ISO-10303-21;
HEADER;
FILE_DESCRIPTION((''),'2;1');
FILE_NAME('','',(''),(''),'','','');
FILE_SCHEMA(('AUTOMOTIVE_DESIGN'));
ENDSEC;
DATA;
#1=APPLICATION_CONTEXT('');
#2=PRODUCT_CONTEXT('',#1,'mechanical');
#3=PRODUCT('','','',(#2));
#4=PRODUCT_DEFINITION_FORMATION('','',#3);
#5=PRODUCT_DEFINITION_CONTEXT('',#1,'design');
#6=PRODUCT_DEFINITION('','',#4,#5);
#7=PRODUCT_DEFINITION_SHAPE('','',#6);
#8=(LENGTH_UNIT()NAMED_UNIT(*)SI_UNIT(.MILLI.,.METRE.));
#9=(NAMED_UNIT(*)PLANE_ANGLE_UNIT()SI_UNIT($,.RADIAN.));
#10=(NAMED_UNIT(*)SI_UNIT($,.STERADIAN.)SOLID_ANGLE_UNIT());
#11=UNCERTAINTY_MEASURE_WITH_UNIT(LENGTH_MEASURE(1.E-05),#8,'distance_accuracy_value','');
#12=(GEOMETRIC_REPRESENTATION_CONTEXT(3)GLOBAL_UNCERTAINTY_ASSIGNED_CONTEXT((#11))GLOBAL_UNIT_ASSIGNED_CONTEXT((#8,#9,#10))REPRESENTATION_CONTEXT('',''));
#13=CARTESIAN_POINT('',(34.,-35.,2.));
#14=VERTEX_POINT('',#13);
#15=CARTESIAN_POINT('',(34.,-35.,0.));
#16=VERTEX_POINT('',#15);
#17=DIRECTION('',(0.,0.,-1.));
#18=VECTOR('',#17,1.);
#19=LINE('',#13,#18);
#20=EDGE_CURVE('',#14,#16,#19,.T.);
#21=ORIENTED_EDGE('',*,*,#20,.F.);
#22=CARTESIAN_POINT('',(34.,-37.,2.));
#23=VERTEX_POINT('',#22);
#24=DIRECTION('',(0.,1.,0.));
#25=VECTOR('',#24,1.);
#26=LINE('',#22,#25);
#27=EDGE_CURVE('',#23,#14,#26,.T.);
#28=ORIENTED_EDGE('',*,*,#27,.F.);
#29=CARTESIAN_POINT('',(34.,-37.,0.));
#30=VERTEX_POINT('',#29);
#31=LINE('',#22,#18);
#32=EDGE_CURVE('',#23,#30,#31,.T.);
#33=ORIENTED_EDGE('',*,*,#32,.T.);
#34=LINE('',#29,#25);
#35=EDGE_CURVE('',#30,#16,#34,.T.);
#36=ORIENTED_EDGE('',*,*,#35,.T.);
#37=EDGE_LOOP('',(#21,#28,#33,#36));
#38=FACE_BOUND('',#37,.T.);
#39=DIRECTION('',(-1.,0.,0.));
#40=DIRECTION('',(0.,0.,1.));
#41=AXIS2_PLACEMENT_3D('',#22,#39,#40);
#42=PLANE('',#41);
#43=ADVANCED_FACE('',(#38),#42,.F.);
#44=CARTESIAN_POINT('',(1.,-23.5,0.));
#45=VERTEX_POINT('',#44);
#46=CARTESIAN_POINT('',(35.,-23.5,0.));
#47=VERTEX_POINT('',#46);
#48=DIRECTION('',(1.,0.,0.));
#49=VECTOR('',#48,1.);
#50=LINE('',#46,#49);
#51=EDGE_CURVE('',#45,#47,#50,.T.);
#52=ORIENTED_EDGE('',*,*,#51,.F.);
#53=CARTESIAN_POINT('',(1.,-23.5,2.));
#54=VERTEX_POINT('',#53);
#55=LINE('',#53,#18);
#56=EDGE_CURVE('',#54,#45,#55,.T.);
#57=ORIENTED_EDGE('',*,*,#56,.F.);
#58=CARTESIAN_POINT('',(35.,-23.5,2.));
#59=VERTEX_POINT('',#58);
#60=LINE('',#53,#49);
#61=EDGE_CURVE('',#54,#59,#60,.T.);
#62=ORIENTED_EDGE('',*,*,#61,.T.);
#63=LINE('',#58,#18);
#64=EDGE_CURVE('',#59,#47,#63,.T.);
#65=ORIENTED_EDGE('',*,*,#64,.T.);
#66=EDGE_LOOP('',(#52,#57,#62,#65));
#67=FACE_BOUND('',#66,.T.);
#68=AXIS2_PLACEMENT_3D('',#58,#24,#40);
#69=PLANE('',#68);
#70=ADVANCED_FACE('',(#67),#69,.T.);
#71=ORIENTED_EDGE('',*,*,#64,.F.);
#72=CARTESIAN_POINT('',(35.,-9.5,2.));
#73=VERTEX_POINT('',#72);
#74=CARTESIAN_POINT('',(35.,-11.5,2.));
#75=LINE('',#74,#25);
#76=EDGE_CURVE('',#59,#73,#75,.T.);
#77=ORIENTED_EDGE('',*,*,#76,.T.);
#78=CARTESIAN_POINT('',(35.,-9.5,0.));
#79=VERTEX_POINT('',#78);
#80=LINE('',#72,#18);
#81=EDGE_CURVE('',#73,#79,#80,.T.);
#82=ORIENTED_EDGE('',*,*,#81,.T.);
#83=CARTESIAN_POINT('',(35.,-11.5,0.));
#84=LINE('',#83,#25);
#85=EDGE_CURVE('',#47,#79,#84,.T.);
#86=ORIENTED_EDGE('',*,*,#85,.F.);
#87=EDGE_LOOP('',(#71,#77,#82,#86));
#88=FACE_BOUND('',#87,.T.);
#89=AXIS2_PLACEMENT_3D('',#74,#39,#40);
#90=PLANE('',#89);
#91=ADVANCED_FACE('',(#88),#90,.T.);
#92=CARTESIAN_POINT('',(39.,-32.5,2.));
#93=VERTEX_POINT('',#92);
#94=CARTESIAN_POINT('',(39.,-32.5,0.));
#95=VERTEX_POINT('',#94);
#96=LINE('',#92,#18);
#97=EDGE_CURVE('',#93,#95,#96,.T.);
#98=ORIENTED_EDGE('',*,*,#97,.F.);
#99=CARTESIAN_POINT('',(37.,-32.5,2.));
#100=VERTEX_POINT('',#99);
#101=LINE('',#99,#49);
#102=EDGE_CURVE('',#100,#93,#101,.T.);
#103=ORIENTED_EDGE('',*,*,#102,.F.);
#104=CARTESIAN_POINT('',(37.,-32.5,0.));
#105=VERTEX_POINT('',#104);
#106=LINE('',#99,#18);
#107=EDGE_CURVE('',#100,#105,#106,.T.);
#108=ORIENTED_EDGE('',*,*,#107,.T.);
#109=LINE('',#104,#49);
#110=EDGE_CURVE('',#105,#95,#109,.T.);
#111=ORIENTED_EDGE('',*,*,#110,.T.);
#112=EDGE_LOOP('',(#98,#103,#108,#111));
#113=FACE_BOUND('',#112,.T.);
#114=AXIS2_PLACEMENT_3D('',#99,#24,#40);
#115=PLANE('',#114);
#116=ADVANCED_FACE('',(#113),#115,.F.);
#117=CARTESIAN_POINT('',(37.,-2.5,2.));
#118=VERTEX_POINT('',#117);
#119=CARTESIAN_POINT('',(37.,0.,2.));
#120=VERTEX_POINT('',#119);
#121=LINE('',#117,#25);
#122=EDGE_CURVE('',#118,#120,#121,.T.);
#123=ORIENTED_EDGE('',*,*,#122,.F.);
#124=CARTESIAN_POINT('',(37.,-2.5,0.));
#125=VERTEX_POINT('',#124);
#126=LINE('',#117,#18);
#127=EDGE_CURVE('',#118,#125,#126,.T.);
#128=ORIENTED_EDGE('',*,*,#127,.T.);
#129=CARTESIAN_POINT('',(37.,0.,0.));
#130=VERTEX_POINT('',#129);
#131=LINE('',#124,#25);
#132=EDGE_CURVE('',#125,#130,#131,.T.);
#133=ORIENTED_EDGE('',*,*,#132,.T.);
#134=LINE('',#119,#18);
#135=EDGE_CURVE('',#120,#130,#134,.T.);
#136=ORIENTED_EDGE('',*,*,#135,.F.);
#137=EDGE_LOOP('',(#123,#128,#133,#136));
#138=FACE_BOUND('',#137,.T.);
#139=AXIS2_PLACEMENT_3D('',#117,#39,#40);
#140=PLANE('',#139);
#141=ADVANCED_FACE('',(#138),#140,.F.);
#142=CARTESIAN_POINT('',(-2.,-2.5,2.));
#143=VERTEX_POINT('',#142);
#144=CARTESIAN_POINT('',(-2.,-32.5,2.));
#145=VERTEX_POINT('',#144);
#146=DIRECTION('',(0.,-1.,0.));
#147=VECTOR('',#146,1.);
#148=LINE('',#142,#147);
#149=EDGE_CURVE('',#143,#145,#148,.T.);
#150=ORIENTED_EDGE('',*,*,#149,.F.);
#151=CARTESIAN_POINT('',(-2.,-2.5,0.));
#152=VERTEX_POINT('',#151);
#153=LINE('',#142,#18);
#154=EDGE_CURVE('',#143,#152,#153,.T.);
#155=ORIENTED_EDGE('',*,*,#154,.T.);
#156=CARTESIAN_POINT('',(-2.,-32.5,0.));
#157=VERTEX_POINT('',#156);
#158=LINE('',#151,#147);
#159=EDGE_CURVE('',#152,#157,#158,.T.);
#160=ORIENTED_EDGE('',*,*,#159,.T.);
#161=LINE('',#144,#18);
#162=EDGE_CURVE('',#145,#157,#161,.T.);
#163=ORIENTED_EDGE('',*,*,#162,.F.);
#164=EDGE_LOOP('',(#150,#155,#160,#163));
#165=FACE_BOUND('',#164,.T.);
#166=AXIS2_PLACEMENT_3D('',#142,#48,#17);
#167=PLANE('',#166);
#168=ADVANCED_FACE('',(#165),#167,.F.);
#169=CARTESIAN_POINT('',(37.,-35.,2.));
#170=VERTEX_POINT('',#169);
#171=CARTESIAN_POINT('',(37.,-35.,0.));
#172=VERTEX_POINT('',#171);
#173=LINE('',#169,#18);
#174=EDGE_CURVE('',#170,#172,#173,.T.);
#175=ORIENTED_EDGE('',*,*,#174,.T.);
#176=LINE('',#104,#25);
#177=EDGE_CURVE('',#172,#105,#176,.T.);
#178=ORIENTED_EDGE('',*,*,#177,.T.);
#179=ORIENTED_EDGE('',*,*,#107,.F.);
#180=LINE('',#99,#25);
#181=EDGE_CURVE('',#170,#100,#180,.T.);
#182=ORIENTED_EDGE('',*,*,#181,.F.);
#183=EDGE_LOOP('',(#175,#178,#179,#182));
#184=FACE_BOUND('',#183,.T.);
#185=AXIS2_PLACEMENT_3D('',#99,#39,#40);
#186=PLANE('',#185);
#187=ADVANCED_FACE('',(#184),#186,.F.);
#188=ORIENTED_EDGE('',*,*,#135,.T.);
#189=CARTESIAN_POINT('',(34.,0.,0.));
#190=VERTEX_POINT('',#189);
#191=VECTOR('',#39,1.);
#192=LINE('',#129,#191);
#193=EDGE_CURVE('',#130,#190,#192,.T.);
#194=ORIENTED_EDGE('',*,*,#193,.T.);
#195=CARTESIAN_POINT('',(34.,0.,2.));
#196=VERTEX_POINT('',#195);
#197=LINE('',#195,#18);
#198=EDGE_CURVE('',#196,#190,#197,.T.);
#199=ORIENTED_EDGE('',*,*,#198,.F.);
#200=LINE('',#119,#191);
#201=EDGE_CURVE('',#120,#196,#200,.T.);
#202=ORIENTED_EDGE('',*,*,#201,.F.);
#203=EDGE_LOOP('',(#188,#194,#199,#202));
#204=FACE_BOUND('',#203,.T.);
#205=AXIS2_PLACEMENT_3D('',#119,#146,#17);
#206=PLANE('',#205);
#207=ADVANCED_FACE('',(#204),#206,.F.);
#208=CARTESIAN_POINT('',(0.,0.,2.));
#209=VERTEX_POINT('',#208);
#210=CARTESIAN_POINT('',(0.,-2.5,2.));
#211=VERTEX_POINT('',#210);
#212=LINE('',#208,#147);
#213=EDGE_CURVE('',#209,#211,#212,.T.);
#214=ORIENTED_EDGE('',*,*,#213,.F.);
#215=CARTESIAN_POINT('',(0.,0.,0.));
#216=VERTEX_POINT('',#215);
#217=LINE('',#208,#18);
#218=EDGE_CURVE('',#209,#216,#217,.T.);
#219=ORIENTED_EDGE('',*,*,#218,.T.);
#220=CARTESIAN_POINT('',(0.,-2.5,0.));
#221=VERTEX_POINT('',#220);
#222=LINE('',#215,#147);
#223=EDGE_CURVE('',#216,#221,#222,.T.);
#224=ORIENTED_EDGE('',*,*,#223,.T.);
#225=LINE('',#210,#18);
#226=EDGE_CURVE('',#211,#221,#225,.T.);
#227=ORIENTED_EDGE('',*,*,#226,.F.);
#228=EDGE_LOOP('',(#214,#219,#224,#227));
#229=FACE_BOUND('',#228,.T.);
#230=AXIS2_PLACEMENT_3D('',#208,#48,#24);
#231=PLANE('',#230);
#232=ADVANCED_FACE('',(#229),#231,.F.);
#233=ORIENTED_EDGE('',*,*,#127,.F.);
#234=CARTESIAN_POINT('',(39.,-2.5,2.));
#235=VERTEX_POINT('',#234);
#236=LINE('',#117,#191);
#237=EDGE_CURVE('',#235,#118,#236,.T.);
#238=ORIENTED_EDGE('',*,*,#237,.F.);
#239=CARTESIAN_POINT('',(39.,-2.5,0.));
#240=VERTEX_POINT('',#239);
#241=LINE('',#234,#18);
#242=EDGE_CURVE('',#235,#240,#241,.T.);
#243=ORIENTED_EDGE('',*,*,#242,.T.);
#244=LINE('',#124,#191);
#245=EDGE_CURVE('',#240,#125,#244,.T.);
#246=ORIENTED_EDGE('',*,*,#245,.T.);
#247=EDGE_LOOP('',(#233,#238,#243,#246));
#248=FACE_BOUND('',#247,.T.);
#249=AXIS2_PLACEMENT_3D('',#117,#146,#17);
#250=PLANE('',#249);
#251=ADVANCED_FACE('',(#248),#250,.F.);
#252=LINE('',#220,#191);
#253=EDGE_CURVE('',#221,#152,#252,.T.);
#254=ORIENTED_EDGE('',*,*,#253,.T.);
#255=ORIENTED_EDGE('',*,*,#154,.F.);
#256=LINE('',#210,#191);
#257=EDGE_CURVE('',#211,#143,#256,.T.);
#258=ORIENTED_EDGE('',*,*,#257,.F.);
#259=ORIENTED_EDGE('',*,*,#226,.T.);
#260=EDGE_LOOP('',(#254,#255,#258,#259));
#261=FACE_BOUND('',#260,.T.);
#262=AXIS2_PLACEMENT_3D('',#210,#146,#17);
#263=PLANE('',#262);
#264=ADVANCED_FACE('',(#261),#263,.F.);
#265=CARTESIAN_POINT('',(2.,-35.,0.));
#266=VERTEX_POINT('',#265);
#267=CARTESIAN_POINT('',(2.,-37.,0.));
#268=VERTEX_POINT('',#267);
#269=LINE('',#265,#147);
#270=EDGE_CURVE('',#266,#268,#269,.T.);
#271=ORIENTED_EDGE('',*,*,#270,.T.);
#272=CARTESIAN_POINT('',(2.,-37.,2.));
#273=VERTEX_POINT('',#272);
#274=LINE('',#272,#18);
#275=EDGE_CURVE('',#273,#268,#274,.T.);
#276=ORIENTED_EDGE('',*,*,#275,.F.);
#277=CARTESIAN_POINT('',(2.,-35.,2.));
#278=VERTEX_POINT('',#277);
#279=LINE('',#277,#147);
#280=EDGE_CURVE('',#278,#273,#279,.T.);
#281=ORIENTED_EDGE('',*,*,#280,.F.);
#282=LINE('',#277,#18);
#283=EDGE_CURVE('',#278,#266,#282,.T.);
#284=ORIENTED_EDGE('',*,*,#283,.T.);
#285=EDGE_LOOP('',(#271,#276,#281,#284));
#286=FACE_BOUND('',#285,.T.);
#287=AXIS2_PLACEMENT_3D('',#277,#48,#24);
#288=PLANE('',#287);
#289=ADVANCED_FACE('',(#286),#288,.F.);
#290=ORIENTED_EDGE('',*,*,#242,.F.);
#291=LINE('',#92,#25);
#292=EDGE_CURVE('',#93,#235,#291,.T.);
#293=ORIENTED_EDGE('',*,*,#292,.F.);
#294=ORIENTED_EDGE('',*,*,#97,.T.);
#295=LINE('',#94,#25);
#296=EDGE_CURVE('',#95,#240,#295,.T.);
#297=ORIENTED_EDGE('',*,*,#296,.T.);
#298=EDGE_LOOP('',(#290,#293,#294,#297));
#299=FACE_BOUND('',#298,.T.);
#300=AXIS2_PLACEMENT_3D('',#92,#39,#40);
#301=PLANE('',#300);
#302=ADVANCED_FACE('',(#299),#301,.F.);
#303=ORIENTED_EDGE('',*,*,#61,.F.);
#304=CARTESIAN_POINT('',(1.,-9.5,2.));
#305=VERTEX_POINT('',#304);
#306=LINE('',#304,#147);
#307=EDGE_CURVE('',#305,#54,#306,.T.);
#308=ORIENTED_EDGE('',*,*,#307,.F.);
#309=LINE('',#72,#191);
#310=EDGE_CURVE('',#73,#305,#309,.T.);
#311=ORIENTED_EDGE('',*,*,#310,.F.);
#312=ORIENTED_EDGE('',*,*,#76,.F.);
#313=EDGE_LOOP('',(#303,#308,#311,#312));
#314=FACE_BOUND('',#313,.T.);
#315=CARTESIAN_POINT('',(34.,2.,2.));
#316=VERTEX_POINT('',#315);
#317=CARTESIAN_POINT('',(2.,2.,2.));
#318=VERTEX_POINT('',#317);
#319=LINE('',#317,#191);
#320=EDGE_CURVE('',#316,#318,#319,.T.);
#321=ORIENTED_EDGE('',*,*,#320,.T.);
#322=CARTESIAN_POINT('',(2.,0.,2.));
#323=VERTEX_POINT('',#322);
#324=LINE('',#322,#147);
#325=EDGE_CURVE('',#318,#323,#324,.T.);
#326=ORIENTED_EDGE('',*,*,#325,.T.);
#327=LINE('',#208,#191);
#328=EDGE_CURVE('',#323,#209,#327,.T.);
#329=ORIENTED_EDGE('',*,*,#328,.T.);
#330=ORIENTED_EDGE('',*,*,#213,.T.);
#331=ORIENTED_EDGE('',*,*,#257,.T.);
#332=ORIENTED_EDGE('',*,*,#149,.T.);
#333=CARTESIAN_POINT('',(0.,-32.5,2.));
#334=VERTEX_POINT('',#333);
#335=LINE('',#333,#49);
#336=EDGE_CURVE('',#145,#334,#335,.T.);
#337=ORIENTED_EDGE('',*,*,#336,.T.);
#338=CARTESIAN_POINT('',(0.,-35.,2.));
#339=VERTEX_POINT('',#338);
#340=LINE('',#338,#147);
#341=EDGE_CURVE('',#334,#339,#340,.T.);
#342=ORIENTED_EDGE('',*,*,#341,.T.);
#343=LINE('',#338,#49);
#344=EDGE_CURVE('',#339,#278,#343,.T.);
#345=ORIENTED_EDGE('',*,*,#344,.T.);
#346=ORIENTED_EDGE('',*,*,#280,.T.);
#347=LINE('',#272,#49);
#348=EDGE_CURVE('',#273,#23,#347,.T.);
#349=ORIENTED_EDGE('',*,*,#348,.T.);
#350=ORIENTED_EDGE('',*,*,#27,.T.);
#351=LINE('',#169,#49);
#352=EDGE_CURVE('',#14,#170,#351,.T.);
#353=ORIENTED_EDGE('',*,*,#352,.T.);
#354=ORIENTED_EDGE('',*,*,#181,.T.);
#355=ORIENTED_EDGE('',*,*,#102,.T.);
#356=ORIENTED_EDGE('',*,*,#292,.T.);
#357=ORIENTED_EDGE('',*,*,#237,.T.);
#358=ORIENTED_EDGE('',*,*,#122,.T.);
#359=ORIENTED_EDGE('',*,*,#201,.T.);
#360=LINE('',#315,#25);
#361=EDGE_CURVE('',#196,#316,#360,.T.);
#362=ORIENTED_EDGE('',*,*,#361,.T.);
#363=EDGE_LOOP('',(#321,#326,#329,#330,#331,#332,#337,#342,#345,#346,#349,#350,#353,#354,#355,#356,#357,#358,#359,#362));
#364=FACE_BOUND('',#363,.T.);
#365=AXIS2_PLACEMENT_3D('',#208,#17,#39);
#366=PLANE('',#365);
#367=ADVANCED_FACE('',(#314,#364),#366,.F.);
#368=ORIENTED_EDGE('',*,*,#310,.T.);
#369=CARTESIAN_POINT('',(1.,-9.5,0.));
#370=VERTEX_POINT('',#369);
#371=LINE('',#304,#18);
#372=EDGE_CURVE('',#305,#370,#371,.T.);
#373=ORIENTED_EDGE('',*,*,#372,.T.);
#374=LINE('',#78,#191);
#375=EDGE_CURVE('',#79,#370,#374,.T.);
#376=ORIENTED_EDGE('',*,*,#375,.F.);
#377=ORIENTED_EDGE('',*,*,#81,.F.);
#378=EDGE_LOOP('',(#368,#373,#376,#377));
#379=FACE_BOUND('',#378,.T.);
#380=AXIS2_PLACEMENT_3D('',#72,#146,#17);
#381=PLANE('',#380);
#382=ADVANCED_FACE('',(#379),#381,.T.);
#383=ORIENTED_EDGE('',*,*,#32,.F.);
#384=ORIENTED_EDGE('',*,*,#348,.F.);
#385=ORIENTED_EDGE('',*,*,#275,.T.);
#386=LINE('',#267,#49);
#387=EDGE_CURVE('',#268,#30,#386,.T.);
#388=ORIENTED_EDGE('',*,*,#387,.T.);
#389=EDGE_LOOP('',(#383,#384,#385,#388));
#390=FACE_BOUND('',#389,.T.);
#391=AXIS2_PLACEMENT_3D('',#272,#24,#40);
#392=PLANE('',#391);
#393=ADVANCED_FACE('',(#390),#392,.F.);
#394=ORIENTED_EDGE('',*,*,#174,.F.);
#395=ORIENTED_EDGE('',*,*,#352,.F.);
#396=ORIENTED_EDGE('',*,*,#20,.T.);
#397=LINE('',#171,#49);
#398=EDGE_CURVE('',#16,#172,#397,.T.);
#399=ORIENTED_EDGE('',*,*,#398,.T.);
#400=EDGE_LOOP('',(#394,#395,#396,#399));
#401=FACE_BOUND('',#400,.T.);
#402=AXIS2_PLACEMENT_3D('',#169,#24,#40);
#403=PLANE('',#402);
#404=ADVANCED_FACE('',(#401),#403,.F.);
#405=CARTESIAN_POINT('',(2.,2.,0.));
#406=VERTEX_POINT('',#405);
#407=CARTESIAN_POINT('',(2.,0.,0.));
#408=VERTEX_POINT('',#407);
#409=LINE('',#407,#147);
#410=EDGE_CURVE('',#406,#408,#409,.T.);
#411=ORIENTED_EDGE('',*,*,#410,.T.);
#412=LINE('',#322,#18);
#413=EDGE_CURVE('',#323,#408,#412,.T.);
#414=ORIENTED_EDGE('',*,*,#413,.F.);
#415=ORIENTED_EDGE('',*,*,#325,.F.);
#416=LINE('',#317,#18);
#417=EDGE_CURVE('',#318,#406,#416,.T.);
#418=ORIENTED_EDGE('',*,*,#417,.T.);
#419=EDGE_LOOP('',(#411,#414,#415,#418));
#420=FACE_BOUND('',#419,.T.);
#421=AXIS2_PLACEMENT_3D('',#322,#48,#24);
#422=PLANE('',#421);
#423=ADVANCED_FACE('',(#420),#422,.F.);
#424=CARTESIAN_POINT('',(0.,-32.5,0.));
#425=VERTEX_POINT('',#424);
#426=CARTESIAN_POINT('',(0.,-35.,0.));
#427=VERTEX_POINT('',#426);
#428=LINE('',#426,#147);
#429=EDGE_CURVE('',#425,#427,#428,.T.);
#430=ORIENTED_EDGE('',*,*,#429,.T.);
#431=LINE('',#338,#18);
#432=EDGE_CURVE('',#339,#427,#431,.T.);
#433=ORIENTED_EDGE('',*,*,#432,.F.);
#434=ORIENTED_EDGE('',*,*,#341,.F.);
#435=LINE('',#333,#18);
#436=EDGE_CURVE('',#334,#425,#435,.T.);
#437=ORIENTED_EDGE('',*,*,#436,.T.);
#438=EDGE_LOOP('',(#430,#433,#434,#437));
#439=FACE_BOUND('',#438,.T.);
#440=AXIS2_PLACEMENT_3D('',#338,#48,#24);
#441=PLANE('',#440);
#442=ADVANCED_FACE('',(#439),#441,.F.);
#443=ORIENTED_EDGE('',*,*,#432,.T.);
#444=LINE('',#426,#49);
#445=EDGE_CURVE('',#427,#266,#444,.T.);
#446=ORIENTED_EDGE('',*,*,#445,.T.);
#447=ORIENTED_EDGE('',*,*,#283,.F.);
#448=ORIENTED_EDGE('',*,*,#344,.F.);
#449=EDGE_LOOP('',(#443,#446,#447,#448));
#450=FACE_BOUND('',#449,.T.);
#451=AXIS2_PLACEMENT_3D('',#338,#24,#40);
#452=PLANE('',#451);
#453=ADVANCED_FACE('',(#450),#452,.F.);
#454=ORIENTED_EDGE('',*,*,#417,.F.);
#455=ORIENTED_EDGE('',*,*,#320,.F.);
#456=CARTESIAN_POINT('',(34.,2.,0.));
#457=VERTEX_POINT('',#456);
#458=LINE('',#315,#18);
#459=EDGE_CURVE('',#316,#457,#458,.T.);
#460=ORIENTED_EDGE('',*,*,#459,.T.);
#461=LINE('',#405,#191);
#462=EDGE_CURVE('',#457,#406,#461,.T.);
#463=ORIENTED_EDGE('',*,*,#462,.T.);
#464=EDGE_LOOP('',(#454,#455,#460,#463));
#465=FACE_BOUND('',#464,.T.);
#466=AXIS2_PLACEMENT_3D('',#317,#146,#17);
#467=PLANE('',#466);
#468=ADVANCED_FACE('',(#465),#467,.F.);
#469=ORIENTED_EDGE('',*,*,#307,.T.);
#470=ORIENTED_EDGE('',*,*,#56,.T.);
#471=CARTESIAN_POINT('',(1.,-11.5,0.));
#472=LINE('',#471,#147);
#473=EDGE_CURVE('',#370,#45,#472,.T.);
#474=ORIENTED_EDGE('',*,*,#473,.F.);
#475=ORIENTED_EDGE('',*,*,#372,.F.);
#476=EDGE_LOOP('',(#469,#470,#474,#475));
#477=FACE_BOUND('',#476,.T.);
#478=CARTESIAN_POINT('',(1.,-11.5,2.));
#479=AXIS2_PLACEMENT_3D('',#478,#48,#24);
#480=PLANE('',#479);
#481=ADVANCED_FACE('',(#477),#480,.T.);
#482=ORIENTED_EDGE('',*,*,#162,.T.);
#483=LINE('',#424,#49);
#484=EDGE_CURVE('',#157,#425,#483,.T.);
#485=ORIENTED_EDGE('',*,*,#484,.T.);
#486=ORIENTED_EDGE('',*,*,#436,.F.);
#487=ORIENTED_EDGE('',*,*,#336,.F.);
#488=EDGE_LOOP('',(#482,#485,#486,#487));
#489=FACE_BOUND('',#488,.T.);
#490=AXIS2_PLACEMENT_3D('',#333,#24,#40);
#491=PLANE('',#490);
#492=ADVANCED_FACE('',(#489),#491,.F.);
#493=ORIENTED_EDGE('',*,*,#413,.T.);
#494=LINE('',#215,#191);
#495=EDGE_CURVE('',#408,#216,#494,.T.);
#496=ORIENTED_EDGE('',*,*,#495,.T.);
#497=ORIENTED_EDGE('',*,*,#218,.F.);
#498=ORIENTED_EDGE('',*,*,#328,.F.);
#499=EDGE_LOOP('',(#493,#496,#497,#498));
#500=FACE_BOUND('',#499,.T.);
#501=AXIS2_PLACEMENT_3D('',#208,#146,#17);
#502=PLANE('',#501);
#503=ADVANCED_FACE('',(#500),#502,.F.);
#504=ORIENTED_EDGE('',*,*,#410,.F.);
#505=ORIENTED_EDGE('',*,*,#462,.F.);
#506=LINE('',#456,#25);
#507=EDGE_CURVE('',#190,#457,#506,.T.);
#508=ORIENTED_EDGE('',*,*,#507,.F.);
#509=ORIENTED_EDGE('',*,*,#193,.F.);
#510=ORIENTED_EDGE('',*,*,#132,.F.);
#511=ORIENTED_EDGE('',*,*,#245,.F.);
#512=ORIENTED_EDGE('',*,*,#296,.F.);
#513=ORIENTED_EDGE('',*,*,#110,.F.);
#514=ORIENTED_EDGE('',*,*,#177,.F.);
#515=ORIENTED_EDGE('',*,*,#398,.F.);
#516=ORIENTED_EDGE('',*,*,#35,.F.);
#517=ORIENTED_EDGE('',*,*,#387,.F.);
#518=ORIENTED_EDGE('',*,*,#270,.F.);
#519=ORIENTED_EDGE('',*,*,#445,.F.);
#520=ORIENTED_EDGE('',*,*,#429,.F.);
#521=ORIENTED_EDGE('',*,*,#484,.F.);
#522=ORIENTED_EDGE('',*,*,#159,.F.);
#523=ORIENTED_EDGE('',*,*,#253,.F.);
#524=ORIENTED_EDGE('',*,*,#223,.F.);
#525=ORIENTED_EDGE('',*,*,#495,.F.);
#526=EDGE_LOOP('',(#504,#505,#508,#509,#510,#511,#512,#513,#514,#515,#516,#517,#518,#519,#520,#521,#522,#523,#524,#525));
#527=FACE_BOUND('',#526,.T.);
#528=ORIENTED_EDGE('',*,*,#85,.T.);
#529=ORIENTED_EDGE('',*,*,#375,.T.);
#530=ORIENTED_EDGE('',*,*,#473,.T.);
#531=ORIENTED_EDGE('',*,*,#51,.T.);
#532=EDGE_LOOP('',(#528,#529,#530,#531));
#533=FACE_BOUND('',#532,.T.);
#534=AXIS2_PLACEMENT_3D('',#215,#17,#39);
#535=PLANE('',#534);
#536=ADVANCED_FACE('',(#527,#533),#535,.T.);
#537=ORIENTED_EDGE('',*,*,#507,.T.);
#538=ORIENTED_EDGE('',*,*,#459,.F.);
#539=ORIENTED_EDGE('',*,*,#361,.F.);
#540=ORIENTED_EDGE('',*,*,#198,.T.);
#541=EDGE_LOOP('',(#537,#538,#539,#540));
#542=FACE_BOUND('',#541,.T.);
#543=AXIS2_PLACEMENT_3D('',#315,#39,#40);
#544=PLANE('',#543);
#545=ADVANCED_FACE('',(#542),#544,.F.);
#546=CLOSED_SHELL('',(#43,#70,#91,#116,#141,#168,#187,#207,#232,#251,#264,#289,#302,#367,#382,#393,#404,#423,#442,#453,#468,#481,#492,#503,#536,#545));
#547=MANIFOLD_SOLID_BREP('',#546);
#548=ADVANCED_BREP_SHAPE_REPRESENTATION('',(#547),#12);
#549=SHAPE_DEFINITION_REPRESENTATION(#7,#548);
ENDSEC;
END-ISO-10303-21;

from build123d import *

# Parameters (mm, degrees)
EXTRUDE_1_DEPTH = 2


with BuildPart() as part:
    # 草图1 → 凸台-拉伸1 (new body)
    with BuildSketch(Plane.XY):
        Polygon((0, -35), (2, -35), (2, -37), (34, -37), (34, -35), (37, -35), (37, -32.5), (39, -32.5), (39, -2.5), (37, -2.5), (37, 0), (34, 0), (34, 2), (2, 2), (2, 0), (0, 0), (0, -2.5), (-2, -2.5), (-2, -32.5), (0, -32.5), align=None)
        Polygon((18, -23.5), (2.5, -23.5), (1, -23.5), (1, -11.5), (1, -9.5), (35, -9.5), (35, -11.5), (35, -23.5), (33.5, -23.5), align=None, mode=Mode.SUBTRACT)
    extrude(amount=EXTRUDE_1_DEPTH)


solid = part.part
